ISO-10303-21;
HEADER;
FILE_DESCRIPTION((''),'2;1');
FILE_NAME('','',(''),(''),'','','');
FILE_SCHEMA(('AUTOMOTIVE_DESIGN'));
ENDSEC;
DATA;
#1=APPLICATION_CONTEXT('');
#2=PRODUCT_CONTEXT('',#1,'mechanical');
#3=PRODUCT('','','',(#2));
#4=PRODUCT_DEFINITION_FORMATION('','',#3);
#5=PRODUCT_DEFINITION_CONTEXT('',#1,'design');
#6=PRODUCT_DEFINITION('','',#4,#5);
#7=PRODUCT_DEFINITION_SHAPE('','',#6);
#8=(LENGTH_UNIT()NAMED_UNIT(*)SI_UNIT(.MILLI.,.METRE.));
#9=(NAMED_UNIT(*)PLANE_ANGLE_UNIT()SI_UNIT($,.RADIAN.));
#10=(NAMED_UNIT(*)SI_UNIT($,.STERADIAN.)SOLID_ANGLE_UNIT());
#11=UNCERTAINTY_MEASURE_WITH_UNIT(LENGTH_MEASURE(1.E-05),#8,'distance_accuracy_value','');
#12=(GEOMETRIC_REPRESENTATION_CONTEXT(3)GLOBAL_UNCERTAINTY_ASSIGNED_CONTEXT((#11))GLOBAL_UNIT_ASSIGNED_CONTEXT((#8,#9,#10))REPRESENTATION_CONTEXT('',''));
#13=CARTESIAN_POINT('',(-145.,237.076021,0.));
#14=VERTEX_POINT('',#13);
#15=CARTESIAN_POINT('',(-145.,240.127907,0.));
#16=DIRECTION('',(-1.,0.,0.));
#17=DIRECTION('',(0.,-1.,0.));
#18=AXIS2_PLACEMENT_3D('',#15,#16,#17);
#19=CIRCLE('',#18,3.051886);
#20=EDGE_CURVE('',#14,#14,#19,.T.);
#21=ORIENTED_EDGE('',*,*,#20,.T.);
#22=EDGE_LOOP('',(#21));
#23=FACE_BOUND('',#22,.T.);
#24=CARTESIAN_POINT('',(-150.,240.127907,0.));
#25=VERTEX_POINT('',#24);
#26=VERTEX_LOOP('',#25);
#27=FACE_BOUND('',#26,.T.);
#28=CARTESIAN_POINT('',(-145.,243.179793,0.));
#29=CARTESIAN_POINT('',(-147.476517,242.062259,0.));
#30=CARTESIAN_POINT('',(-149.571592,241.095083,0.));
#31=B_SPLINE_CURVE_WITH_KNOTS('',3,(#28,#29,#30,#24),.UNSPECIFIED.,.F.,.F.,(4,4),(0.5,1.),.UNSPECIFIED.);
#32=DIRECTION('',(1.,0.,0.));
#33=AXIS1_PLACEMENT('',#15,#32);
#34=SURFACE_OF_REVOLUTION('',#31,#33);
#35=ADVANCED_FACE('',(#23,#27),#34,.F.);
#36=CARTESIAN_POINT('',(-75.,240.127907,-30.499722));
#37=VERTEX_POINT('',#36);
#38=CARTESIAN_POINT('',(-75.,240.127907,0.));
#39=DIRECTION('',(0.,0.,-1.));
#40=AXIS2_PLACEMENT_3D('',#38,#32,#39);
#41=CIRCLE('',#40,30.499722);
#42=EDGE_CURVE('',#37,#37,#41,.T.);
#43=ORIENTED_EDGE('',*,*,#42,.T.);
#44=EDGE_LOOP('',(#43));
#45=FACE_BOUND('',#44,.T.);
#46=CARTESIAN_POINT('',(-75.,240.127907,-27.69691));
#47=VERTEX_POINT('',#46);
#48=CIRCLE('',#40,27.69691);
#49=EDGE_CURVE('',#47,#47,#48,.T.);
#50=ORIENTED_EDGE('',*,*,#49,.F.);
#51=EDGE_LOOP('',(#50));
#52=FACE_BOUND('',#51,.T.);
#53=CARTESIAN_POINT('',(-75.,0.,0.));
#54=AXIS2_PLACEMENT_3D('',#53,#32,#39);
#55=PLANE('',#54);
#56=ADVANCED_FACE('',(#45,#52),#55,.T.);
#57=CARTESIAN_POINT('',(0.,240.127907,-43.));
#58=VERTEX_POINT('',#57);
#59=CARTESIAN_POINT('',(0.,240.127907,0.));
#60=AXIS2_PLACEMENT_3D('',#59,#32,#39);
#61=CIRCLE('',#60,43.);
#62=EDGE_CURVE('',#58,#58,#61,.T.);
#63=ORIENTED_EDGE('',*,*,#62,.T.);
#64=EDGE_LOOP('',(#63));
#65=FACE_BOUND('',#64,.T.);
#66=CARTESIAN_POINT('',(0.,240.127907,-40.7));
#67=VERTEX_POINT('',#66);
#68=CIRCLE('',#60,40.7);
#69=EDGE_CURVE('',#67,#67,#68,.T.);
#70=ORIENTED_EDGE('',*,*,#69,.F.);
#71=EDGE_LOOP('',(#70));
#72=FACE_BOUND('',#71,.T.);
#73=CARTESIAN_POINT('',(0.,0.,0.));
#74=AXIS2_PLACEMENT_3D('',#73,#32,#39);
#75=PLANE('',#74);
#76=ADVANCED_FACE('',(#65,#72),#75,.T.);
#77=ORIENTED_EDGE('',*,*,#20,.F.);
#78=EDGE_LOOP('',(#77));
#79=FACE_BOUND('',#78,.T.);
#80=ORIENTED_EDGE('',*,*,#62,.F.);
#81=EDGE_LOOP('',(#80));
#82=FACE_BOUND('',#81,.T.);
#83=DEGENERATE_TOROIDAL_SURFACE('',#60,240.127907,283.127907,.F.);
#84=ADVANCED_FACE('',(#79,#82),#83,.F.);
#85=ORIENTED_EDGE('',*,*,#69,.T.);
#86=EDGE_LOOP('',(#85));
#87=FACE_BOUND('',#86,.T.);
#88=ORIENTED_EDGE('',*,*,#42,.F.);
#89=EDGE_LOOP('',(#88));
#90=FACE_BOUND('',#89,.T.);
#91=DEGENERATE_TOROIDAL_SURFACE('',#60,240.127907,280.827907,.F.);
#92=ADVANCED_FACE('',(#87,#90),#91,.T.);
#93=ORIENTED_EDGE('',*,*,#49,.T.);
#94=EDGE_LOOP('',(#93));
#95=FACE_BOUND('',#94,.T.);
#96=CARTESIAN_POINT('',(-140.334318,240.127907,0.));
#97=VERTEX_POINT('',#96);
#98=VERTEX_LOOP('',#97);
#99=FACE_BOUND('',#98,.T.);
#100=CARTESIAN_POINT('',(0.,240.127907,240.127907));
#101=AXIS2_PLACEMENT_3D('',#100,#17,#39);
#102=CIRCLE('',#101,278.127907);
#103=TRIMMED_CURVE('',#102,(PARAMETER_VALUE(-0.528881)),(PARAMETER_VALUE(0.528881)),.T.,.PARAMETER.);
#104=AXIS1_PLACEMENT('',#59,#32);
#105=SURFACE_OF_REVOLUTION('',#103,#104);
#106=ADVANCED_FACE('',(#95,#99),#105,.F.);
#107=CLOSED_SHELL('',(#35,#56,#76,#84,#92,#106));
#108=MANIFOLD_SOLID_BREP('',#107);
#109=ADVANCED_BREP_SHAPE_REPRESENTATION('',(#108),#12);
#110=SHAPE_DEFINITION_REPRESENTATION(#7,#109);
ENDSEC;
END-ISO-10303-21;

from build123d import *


with BuildPart() as part:
    # Sketch1 → Revolve1 (revolve)
    with BuildSketch(Plane.XY, mode=Mode.PRIVATE) as revolve1_sk:
        with BuildLine():
            ThreePointArc((0, 283.127906977), (-78.020830552, 272.165687972), (-150, 240.127906977))
            Line((-150, 240.127906977), (-140.334318434, 240.127906977))
            ThreePointArc((-140.334318434, 240.127906977), (-135.892976509, 242.668975303), (-131.405638617, 245.127906977))
            ThreePointArc((-131.405638617, 245.127906977), (-103.824897521, 258.022330999), (-75, 267.824817071))
            Line((-75, 267.824817071), (-75, 270.627628554))
            ThreePointArc((-75, 270.627628554), (-37.845229818, 278.266153021), (0, 280.827906977))
            Line((0, 280.827906977), (0, 283.127906977))
        make_face()
    revolve(revolve1_sk.sketch.rotate(Axis((-150, 240.127906977, 0), (-1, 0, 0)), 90), axis=Axis((-150, 240.127906977, 0), (-1, 0, 0)))

    # Sketch2 → Cut-Revolve1 (revolve, cut)
    with BuildSketch(Plane.XY, mode=Mode.PRIVATE) as cut_revolve1_sk:
        with BuildLine():
            Line((-150, 240.127906977), (-145, 240.127906977))
            Line((-145, 240.127906977), (-145, 243.17979297))
            ThreePointArc((-145, 243.17979297), (-147.507893016, 241.666781348), (-150, 240.127906977))
        make_face()
    revolve(cut_revolve1_sk.sketch.rotate(Axis((-150, 240.127906977, 0), (1, 0, 0)), 180), axis=Axis((-150, 240.127906977, 0), (1, 0, 0)), mode=Mode.SUBTRACT)

    # Sketch4 → Revolve2 (revolve)
    with BuildSketch(Plane.XY, mode=Mode.PRIVATE) as revolve2_sk:
        with BuildLine():
            Line((-145, 240.127906977), (-150, 240.127906977))
            add(Edge.make_bspline(
                [(-150, 240.127906977), (-149.571591748, 241.095083065), (-147.476516829, 242.062259153), (-145, 243.17979297)],
                knots=[0.5, 0.5, 0.5, 0.5, 1, 1, 1, 1], degree=3))
            Line((-145, 243.17979297), (-145, 240.127906977))
        make_face()
    revolve(revolve2_sk.sketch.rotate(Axis((-145, 240.127906977, 0), (-1, 0, 0)), 180), axis=Axis((-145, 240.127906977, 0), (-1, 0, 0)))


solid = part.part
